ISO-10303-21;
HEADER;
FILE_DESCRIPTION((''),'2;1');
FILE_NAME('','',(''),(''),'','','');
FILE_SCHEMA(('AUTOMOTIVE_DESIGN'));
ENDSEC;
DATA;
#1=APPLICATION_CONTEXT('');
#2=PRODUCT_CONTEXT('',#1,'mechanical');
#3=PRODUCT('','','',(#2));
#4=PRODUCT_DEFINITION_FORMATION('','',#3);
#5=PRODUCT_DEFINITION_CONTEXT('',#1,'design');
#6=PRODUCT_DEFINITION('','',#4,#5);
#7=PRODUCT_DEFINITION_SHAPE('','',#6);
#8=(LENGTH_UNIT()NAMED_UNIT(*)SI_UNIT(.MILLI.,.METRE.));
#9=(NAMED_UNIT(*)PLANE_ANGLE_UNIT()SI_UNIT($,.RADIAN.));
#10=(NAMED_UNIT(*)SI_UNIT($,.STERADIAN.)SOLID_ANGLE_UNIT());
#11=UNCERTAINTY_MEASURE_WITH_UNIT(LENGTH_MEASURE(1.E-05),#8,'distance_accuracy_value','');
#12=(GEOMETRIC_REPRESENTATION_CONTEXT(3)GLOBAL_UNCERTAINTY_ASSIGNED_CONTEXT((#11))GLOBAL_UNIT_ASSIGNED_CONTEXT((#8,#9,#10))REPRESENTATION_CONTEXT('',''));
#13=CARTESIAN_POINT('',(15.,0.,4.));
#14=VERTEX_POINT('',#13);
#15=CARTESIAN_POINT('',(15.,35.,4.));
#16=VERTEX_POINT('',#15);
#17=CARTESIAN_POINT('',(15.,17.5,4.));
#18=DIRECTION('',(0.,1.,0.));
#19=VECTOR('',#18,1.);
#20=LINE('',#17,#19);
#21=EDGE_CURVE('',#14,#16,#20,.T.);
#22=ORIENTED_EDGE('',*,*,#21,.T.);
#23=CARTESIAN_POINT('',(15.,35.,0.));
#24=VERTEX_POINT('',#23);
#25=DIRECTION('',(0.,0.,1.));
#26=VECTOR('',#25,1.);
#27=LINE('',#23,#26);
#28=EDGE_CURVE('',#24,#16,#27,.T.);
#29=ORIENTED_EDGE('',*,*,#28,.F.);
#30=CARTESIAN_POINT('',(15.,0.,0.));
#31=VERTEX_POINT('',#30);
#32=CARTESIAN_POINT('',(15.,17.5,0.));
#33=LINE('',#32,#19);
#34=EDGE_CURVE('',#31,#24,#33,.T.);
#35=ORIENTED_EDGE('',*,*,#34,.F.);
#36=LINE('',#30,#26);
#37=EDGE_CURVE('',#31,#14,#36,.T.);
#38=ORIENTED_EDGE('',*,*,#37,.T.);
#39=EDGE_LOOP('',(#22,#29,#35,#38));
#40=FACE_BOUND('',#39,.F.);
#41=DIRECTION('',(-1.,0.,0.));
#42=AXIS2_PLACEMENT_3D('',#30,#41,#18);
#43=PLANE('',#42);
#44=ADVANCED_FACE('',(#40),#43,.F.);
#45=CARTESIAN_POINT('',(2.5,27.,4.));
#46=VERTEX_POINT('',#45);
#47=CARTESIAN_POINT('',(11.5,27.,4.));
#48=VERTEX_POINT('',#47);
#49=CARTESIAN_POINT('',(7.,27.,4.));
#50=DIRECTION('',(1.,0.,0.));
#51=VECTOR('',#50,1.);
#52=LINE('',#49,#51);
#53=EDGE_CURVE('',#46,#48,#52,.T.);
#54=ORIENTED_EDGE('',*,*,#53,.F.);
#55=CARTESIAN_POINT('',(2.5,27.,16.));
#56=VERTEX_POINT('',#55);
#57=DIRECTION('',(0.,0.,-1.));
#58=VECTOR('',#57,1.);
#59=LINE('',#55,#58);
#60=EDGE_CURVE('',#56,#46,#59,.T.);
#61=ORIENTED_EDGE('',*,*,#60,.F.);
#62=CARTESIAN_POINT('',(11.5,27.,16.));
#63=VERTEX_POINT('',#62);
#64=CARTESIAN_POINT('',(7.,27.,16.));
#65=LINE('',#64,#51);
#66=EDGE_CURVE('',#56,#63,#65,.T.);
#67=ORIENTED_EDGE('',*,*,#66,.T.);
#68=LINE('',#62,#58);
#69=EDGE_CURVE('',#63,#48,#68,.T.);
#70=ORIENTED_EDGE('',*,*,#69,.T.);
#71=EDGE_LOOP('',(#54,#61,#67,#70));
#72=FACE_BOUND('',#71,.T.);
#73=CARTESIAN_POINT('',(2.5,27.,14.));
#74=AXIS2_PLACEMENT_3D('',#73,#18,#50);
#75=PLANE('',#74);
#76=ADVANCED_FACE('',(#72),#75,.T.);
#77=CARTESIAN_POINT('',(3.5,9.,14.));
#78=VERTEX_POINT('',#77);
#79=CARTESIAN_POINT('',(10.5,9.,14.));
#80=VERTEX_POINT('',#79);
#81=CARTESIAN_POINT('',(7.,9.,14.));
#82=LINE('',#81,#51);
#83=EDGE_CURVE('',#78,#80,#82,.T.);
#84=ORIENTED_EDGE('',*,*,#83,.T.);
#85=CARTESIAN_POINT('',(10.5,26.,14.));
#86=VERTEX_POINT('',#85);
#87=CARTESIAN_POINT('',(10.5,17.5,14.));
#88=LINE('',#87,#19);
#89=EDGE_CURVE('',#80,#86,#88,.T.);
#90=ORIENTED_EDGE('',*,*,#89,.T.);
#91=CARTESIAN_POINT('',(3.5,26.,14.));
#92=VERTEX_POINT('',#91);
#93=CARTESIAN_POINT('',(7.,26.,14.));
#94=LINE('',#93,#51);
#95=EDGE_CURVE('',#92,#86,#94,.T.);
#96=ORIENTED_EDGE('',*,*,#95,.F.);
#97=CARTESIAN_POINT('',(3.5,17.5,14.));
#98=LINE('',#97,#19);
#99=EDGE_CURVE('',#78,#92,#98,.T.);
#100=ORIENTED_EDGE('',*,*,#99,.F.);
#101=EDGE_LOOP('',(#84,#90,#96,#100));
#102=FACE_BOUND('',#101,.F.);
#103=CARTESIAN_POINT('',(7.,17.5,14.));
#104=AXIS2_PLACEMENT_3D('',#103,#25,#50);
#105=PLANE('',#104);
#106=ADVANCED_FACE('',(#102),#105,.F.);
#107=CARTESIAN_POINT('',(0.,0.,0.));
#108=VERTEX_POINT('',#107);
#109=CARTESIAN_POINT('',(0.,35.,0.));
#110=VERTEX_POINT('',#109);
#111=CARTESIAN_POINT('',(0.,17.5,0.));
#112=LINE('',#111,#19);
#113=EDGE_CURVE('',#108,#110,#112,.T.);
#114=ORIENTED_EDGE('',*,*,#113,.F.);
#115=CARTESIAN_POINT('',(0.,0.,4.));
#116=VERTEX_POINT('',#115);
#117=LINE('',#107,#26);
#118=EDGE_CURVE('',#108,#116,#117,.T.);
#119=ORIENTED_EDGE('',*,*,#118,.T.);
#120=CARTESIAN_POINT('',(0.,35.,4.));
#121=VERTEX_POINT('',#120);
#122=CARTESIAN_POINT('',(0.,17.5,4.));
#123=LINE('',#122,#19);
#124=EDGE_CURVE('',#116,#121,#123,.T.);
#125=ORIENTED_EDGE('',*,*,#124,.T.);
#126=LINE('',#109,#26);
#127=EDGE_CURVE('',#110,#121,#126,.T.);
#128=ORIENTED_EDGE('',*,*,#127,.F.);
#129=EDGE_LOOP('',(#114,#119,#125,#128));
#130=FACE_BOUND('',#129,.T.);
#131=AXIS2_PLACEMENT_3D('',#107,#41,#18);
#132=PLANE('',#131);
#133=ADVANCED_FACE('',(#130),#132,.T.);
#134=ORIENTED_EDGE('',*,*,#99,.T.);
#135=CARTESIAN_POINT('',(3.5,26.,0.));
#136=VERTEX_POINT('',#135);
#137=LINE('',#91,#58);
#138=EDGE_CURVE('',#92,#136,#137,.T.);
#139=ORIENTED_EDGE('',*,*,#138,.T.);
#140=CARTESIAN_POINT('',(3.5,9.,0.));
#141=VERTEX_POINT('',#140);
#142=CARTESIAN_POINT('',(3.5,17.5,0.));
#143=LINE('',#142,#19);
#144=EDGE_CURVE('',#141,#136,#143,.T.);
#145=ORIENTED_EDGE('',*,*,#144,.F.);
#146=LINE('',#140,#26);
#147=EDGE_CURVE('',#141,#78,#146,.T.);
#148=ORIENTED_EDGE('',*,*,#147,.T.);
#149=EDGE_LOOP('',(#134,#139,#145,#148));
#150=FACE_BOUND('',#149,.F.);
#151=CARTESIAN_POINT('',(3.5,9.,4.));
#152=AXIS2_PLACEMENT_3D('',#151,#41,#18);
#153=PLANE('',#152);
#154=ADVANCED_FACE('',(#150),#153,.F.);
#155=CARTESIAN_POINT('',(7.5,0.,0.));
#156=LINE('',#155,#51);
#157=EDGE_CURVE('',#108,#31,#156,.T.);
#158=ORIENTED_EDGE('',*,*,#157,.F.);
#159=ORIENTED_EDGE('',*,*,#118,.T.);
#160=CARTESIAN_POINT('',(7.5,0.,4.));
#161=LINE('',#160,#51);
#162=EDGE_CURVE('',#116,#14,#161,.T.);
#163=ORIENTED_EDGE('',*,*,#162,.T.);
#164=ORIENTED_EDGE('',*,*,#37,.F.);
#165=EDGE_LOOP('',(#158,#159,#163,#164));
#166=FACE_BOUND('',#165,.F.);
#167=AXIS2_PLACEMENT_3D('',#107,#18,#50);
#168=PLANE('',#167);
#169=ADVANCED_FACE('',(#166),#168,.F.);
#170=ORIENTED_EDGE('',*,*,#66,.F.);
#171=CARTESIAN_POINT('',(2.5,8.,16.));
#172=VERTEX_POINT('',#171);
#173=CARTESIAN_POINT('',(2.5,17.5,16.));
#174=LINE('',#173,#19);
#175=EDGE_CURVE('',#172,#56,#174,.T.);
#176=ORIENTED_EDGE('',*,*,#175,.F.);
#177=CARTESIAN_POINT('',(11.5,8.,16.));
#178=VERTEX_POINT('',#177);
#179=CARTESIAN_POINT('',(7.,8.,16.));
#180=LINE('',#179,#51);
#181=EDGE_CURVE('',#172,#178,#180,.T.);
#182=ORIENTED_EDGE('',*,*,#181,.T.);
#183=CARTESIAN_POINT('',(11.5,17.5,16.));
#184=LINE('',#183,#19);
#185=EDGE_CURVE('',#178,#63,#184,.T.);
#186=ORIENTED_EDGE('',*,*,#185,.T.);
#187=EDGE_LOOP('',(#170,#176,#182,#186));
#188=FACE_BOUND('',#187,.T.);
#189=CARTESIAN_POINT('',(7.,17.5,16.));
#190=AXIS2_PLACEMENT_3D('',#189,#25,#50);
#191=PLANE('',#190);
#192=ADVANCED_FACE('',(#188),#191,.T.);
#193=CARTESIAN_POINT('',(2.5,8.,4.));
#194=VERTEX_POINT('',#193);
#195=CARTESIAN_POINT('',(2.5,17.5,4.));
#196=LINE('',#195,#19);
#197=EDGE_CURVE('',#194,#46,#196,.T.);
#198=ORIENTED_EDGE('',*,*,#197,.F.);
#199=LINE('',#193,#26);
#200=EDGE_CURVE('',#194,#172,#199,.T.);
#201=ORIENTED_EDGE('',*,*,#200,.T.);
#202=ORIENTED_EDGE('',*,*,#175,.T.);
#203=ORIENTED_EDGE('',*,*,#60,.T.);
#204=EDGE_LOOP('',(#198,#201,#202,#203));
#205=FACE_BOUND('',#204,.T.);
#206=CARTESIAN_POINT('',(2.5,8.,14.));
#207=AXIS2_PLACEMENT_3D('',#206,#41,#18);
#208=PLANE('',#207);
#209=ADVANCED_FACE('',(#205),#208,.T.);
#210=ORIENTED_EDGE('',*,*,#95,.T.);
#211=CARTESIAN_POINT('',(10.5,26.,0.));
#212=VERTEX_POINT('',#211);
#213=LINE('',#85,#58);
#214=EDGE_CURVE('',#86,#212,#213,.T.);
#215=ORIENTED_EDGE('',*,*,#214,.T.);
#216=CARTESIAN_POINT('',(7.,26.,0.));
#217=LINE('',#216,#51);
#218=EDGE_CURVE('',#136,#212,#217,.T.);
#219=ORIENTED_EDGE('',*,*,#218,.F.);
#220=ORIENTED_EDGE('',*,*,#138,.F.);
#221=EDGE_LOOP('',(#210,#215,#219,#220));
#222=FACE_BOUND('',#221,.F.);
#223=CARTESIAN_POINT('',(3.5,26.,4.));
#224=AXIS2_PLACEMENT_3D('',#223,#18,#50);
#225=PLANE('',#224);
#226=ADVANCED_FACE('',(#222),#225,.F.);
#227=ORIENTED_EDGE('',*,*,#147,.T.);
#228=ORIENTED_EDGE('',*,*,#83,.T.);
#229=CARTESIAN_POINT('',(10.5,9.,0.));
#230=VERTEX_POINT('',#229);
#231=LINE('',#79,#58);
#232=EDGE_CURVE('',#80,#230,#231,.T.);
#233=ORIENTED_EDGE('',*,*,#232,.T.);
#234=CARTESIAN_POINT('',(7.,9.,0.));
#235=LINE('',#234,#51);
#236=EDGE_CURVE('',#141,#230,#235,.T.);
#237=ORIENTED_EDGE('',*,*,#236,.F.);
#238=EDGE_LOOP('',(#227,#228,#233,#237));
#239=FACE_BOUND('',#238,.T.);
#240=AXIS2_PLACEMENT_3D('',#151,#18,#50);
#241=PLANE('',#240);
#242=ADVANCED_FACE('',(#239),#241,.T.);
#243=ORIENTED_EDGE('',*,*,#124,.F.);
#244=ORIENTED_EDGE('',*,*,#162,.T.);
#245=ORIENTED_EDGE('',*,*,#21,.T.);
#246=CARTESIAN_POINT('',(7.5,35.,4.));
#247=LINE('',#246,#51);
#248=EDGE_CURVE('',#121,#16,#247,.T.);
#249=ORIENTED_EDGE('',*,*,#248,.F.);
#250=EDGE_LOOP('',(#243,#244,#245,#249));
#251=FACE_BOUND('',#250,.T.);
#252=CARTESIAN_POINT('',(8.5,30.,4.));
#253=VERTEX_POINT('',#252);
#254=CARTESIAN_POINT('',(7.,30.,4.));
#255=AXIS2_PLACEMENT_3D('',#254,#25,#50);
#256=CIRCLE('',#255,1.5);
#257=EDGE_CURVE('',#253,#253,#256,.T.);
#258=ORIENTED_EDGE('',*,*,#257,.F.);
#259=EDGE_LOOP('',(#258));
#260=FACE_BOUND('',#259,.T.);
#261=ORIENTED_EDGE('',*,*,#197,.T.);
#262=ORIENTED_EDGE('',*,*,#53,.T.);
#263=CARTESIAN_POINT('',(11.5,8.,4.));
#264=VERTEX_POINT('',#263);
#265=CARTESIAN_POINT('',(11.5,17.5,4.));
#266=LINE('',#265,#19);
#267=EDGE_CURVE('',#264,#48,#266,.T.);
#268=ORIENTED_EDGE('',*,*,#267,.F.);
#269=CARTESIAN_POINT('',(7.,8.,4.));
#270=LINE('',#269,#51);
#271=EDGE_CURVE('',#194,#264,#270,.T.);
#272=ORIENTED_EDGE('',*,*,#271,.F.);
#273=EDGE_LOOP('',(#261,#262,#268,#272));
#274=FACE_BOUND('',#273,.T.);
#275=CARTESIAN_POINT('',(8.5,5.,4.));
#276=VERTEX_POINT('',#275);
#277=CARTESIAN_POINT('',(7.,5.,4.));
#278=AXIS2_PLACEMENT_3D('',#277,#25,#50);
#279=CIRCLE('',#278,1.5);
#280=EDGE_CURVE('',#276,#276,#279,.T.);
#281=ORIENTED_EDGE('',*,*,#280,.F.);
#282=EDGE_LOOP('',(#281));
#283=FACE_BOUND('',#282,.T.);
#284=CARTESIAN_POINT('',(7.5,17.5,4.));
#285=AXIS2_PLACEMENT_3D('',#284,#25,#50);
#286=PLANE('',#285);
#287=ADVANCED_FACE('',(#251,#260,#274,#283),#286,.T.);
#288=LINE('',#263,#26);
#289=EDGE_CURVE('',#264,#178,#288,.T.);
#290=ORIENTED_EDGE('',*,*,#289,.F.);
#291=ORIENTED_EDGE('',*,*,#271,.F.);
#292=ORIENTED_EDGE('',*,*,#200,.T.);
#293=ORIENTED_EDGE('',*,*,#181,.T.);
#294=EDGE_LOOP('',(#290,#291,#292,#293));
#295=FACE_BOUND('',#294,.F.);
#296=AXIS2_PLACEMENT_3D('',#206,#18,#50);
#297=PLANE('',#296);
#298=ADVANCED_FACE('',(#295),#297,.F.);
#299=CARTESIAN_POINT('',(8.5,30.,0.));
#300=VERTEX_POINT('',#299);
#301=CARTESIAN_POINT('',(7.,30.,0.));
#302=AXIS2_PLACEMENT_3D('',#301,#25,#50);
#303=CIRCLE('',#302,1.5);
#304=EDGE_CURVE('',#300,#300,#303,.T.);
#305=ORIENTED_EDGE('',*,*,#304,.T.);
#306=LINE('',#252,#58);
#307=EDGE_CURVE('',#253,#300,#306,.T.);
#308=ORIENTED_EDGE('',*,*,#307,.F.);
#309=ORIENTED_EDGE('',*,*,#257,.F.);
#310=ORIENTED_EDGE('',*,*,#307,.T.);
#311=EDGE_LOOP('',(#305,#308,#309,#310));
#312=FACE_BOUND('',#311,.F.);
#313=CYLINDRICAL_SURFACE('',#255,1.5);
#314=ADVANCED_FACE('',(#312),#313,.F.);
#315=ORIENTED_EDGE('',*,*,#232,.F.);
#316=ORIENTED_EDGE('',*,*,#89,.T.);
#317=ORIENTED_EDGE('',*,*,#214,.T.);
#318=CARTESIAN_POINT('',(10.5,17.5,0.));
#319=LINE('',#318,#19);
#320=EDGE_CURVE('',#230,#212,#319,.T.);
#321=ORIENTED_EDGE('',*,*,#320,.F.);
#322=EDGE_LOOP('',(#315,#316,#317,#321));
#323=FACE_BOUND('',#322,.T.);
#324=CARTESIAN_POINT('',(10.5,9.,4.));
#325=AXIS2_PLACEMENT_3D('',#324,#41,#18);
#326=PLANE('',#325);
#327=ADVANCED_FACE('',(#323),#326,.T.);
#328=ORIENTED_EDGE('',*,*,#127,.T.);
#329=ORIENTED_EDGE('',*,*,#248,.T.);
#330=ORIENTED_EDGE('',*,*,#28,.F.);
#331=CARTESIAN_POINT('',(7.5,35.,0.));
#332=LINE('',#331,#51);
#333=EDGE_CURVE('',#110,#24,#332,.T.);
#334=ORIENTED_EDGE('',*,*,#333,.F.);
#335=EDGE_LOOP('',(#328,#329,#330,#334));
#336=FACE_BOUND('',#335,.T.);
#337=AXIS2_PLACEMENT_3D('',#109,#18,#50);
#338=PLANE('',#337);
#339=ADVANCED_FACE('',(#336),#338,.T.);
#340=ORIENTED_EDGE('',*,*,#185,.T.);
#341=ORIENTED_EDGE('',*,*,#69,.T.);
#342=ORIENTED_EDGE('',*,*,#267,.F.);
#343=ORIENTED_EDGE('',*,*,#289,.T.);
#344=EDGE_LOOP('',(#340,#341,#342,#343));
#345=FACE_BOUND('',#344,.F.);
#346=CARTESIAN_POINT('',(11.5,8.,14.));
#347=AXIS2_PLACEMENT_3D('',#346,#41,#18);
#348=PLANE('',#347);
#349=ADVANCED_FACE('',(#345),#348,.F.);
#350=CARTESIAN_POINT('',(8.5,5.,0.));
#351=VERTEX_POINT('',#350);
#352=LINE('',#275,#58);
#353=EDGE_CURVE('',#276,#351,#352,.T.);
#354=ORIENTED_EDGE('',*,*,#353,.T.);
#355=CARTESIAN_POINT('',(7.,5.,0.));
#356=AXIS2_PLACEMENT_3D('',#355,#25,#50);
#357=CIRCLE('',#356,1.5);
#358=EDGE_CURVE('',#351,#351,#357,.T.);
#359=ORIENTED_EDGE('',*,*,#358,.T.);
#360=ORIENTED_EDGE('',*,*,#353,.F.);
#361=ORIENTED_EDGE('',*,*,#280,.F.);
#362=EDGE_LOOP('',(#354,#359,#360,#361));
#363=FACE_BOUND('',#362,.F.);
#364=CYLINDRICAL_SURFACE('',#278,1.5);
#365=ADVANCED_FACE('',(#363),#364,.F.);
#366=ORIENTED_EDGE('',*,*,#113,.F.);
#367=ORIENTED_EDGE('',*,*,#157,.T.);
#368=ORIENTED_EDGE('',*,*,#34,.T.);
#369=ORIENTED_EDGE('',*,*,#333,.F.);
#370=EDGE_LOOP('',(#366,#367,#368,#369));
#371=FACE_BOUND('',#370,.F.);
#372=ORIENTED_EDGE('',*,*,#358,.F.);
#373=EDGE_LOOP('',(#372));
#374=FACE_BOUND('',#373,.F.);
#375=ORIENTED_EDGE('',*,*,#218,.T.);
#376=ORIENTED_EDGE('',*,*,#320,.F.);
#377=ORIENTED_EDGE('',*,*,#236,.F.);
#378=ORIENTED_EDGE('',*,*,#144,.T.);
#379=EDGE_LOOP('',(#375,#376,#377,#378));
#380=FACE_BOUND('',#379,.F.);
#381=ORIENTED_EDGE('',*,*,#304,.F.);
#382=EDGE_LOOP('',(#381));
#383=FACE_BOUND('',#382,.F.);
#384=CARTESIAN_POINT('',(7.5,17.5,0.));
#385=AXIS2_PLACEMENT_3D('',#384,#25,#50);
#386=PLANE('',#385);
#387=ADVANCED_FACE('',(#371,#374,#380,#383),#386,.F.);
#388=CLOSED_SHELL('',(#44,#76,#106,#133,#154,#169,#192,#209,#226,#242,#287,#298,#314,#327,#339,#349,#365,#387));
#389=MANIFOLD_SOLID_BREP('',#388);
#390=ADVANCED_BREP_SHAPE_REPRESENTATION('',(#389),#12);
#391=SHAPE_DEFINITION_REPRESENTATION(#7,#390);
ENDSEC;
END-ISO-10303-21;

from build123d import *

# Parameters (mm, degrees)
SKETCH_W      = 15
SKETCH_H      = 35
PAD_DEPTH     = 4
SKETCH001_R   = 1.5
SKETCH001_W   = 7
SKETCH001_H   = 17
POCKET_DEPTH  = 4
SKETCH002_W   = 9
SKETCH002_H   = 19
SKETCH002_W_2 = 7
SKETCH002_H_2 = 17
PAD001_DEPTH  = 10
SKETCH003_W   = 9
SKETCH003_H   = 19
PAD002_DEPTH  = 2


with BuildPart() as part:
    # Sketch → Pad (new body)
    with BuildSketch(Plane.XY):
        with Locations((7.5, 17.5)):
            Rectangle(SKETCH_W, SKETCH_H)
    extrude(amount=PAD_DEPTH)

    # Sketch001 → Pocket (cut)
    with BuildSketch(Plane.XY.offset(4)):
        with Locations((7, 30)):
            Circle(SKETCH001_R)
        with Locations((7, 5)):
            Circle(SKETCH001_R)
        with Locations((7, 17.5)):
            Rectangle(SKETCH001_W, SKETCH001_H)
    extrude(amount=-POCKET_DEPTH, mode=Mode.SUBTRACT)

    # Sketch002 → Pad001 (new body)
    with BuildSketch(Plane.XY.offset(4)):
        with Locations((7, 17.5)):
            Rectangle(SKETCH002_W, SKETCH002_H)
        with Locations((7, 17.5)):
            Rectangle(SKETCH002_W_2, SKETCH002_H_2, mode=Mode.SUBTRACT)
    extrude(amount=PAD001_DEPTH)

    # Sketch003 → Pad002 (new body)
    with BuildSketch(Plane.XY.offset(14)):
        with Locations((7, 17.5)):
            Rectangle(SKETCH003_W, SKETCH003_H)
    extrude(amount=PAD002_DEPTH)


solid = part.part
